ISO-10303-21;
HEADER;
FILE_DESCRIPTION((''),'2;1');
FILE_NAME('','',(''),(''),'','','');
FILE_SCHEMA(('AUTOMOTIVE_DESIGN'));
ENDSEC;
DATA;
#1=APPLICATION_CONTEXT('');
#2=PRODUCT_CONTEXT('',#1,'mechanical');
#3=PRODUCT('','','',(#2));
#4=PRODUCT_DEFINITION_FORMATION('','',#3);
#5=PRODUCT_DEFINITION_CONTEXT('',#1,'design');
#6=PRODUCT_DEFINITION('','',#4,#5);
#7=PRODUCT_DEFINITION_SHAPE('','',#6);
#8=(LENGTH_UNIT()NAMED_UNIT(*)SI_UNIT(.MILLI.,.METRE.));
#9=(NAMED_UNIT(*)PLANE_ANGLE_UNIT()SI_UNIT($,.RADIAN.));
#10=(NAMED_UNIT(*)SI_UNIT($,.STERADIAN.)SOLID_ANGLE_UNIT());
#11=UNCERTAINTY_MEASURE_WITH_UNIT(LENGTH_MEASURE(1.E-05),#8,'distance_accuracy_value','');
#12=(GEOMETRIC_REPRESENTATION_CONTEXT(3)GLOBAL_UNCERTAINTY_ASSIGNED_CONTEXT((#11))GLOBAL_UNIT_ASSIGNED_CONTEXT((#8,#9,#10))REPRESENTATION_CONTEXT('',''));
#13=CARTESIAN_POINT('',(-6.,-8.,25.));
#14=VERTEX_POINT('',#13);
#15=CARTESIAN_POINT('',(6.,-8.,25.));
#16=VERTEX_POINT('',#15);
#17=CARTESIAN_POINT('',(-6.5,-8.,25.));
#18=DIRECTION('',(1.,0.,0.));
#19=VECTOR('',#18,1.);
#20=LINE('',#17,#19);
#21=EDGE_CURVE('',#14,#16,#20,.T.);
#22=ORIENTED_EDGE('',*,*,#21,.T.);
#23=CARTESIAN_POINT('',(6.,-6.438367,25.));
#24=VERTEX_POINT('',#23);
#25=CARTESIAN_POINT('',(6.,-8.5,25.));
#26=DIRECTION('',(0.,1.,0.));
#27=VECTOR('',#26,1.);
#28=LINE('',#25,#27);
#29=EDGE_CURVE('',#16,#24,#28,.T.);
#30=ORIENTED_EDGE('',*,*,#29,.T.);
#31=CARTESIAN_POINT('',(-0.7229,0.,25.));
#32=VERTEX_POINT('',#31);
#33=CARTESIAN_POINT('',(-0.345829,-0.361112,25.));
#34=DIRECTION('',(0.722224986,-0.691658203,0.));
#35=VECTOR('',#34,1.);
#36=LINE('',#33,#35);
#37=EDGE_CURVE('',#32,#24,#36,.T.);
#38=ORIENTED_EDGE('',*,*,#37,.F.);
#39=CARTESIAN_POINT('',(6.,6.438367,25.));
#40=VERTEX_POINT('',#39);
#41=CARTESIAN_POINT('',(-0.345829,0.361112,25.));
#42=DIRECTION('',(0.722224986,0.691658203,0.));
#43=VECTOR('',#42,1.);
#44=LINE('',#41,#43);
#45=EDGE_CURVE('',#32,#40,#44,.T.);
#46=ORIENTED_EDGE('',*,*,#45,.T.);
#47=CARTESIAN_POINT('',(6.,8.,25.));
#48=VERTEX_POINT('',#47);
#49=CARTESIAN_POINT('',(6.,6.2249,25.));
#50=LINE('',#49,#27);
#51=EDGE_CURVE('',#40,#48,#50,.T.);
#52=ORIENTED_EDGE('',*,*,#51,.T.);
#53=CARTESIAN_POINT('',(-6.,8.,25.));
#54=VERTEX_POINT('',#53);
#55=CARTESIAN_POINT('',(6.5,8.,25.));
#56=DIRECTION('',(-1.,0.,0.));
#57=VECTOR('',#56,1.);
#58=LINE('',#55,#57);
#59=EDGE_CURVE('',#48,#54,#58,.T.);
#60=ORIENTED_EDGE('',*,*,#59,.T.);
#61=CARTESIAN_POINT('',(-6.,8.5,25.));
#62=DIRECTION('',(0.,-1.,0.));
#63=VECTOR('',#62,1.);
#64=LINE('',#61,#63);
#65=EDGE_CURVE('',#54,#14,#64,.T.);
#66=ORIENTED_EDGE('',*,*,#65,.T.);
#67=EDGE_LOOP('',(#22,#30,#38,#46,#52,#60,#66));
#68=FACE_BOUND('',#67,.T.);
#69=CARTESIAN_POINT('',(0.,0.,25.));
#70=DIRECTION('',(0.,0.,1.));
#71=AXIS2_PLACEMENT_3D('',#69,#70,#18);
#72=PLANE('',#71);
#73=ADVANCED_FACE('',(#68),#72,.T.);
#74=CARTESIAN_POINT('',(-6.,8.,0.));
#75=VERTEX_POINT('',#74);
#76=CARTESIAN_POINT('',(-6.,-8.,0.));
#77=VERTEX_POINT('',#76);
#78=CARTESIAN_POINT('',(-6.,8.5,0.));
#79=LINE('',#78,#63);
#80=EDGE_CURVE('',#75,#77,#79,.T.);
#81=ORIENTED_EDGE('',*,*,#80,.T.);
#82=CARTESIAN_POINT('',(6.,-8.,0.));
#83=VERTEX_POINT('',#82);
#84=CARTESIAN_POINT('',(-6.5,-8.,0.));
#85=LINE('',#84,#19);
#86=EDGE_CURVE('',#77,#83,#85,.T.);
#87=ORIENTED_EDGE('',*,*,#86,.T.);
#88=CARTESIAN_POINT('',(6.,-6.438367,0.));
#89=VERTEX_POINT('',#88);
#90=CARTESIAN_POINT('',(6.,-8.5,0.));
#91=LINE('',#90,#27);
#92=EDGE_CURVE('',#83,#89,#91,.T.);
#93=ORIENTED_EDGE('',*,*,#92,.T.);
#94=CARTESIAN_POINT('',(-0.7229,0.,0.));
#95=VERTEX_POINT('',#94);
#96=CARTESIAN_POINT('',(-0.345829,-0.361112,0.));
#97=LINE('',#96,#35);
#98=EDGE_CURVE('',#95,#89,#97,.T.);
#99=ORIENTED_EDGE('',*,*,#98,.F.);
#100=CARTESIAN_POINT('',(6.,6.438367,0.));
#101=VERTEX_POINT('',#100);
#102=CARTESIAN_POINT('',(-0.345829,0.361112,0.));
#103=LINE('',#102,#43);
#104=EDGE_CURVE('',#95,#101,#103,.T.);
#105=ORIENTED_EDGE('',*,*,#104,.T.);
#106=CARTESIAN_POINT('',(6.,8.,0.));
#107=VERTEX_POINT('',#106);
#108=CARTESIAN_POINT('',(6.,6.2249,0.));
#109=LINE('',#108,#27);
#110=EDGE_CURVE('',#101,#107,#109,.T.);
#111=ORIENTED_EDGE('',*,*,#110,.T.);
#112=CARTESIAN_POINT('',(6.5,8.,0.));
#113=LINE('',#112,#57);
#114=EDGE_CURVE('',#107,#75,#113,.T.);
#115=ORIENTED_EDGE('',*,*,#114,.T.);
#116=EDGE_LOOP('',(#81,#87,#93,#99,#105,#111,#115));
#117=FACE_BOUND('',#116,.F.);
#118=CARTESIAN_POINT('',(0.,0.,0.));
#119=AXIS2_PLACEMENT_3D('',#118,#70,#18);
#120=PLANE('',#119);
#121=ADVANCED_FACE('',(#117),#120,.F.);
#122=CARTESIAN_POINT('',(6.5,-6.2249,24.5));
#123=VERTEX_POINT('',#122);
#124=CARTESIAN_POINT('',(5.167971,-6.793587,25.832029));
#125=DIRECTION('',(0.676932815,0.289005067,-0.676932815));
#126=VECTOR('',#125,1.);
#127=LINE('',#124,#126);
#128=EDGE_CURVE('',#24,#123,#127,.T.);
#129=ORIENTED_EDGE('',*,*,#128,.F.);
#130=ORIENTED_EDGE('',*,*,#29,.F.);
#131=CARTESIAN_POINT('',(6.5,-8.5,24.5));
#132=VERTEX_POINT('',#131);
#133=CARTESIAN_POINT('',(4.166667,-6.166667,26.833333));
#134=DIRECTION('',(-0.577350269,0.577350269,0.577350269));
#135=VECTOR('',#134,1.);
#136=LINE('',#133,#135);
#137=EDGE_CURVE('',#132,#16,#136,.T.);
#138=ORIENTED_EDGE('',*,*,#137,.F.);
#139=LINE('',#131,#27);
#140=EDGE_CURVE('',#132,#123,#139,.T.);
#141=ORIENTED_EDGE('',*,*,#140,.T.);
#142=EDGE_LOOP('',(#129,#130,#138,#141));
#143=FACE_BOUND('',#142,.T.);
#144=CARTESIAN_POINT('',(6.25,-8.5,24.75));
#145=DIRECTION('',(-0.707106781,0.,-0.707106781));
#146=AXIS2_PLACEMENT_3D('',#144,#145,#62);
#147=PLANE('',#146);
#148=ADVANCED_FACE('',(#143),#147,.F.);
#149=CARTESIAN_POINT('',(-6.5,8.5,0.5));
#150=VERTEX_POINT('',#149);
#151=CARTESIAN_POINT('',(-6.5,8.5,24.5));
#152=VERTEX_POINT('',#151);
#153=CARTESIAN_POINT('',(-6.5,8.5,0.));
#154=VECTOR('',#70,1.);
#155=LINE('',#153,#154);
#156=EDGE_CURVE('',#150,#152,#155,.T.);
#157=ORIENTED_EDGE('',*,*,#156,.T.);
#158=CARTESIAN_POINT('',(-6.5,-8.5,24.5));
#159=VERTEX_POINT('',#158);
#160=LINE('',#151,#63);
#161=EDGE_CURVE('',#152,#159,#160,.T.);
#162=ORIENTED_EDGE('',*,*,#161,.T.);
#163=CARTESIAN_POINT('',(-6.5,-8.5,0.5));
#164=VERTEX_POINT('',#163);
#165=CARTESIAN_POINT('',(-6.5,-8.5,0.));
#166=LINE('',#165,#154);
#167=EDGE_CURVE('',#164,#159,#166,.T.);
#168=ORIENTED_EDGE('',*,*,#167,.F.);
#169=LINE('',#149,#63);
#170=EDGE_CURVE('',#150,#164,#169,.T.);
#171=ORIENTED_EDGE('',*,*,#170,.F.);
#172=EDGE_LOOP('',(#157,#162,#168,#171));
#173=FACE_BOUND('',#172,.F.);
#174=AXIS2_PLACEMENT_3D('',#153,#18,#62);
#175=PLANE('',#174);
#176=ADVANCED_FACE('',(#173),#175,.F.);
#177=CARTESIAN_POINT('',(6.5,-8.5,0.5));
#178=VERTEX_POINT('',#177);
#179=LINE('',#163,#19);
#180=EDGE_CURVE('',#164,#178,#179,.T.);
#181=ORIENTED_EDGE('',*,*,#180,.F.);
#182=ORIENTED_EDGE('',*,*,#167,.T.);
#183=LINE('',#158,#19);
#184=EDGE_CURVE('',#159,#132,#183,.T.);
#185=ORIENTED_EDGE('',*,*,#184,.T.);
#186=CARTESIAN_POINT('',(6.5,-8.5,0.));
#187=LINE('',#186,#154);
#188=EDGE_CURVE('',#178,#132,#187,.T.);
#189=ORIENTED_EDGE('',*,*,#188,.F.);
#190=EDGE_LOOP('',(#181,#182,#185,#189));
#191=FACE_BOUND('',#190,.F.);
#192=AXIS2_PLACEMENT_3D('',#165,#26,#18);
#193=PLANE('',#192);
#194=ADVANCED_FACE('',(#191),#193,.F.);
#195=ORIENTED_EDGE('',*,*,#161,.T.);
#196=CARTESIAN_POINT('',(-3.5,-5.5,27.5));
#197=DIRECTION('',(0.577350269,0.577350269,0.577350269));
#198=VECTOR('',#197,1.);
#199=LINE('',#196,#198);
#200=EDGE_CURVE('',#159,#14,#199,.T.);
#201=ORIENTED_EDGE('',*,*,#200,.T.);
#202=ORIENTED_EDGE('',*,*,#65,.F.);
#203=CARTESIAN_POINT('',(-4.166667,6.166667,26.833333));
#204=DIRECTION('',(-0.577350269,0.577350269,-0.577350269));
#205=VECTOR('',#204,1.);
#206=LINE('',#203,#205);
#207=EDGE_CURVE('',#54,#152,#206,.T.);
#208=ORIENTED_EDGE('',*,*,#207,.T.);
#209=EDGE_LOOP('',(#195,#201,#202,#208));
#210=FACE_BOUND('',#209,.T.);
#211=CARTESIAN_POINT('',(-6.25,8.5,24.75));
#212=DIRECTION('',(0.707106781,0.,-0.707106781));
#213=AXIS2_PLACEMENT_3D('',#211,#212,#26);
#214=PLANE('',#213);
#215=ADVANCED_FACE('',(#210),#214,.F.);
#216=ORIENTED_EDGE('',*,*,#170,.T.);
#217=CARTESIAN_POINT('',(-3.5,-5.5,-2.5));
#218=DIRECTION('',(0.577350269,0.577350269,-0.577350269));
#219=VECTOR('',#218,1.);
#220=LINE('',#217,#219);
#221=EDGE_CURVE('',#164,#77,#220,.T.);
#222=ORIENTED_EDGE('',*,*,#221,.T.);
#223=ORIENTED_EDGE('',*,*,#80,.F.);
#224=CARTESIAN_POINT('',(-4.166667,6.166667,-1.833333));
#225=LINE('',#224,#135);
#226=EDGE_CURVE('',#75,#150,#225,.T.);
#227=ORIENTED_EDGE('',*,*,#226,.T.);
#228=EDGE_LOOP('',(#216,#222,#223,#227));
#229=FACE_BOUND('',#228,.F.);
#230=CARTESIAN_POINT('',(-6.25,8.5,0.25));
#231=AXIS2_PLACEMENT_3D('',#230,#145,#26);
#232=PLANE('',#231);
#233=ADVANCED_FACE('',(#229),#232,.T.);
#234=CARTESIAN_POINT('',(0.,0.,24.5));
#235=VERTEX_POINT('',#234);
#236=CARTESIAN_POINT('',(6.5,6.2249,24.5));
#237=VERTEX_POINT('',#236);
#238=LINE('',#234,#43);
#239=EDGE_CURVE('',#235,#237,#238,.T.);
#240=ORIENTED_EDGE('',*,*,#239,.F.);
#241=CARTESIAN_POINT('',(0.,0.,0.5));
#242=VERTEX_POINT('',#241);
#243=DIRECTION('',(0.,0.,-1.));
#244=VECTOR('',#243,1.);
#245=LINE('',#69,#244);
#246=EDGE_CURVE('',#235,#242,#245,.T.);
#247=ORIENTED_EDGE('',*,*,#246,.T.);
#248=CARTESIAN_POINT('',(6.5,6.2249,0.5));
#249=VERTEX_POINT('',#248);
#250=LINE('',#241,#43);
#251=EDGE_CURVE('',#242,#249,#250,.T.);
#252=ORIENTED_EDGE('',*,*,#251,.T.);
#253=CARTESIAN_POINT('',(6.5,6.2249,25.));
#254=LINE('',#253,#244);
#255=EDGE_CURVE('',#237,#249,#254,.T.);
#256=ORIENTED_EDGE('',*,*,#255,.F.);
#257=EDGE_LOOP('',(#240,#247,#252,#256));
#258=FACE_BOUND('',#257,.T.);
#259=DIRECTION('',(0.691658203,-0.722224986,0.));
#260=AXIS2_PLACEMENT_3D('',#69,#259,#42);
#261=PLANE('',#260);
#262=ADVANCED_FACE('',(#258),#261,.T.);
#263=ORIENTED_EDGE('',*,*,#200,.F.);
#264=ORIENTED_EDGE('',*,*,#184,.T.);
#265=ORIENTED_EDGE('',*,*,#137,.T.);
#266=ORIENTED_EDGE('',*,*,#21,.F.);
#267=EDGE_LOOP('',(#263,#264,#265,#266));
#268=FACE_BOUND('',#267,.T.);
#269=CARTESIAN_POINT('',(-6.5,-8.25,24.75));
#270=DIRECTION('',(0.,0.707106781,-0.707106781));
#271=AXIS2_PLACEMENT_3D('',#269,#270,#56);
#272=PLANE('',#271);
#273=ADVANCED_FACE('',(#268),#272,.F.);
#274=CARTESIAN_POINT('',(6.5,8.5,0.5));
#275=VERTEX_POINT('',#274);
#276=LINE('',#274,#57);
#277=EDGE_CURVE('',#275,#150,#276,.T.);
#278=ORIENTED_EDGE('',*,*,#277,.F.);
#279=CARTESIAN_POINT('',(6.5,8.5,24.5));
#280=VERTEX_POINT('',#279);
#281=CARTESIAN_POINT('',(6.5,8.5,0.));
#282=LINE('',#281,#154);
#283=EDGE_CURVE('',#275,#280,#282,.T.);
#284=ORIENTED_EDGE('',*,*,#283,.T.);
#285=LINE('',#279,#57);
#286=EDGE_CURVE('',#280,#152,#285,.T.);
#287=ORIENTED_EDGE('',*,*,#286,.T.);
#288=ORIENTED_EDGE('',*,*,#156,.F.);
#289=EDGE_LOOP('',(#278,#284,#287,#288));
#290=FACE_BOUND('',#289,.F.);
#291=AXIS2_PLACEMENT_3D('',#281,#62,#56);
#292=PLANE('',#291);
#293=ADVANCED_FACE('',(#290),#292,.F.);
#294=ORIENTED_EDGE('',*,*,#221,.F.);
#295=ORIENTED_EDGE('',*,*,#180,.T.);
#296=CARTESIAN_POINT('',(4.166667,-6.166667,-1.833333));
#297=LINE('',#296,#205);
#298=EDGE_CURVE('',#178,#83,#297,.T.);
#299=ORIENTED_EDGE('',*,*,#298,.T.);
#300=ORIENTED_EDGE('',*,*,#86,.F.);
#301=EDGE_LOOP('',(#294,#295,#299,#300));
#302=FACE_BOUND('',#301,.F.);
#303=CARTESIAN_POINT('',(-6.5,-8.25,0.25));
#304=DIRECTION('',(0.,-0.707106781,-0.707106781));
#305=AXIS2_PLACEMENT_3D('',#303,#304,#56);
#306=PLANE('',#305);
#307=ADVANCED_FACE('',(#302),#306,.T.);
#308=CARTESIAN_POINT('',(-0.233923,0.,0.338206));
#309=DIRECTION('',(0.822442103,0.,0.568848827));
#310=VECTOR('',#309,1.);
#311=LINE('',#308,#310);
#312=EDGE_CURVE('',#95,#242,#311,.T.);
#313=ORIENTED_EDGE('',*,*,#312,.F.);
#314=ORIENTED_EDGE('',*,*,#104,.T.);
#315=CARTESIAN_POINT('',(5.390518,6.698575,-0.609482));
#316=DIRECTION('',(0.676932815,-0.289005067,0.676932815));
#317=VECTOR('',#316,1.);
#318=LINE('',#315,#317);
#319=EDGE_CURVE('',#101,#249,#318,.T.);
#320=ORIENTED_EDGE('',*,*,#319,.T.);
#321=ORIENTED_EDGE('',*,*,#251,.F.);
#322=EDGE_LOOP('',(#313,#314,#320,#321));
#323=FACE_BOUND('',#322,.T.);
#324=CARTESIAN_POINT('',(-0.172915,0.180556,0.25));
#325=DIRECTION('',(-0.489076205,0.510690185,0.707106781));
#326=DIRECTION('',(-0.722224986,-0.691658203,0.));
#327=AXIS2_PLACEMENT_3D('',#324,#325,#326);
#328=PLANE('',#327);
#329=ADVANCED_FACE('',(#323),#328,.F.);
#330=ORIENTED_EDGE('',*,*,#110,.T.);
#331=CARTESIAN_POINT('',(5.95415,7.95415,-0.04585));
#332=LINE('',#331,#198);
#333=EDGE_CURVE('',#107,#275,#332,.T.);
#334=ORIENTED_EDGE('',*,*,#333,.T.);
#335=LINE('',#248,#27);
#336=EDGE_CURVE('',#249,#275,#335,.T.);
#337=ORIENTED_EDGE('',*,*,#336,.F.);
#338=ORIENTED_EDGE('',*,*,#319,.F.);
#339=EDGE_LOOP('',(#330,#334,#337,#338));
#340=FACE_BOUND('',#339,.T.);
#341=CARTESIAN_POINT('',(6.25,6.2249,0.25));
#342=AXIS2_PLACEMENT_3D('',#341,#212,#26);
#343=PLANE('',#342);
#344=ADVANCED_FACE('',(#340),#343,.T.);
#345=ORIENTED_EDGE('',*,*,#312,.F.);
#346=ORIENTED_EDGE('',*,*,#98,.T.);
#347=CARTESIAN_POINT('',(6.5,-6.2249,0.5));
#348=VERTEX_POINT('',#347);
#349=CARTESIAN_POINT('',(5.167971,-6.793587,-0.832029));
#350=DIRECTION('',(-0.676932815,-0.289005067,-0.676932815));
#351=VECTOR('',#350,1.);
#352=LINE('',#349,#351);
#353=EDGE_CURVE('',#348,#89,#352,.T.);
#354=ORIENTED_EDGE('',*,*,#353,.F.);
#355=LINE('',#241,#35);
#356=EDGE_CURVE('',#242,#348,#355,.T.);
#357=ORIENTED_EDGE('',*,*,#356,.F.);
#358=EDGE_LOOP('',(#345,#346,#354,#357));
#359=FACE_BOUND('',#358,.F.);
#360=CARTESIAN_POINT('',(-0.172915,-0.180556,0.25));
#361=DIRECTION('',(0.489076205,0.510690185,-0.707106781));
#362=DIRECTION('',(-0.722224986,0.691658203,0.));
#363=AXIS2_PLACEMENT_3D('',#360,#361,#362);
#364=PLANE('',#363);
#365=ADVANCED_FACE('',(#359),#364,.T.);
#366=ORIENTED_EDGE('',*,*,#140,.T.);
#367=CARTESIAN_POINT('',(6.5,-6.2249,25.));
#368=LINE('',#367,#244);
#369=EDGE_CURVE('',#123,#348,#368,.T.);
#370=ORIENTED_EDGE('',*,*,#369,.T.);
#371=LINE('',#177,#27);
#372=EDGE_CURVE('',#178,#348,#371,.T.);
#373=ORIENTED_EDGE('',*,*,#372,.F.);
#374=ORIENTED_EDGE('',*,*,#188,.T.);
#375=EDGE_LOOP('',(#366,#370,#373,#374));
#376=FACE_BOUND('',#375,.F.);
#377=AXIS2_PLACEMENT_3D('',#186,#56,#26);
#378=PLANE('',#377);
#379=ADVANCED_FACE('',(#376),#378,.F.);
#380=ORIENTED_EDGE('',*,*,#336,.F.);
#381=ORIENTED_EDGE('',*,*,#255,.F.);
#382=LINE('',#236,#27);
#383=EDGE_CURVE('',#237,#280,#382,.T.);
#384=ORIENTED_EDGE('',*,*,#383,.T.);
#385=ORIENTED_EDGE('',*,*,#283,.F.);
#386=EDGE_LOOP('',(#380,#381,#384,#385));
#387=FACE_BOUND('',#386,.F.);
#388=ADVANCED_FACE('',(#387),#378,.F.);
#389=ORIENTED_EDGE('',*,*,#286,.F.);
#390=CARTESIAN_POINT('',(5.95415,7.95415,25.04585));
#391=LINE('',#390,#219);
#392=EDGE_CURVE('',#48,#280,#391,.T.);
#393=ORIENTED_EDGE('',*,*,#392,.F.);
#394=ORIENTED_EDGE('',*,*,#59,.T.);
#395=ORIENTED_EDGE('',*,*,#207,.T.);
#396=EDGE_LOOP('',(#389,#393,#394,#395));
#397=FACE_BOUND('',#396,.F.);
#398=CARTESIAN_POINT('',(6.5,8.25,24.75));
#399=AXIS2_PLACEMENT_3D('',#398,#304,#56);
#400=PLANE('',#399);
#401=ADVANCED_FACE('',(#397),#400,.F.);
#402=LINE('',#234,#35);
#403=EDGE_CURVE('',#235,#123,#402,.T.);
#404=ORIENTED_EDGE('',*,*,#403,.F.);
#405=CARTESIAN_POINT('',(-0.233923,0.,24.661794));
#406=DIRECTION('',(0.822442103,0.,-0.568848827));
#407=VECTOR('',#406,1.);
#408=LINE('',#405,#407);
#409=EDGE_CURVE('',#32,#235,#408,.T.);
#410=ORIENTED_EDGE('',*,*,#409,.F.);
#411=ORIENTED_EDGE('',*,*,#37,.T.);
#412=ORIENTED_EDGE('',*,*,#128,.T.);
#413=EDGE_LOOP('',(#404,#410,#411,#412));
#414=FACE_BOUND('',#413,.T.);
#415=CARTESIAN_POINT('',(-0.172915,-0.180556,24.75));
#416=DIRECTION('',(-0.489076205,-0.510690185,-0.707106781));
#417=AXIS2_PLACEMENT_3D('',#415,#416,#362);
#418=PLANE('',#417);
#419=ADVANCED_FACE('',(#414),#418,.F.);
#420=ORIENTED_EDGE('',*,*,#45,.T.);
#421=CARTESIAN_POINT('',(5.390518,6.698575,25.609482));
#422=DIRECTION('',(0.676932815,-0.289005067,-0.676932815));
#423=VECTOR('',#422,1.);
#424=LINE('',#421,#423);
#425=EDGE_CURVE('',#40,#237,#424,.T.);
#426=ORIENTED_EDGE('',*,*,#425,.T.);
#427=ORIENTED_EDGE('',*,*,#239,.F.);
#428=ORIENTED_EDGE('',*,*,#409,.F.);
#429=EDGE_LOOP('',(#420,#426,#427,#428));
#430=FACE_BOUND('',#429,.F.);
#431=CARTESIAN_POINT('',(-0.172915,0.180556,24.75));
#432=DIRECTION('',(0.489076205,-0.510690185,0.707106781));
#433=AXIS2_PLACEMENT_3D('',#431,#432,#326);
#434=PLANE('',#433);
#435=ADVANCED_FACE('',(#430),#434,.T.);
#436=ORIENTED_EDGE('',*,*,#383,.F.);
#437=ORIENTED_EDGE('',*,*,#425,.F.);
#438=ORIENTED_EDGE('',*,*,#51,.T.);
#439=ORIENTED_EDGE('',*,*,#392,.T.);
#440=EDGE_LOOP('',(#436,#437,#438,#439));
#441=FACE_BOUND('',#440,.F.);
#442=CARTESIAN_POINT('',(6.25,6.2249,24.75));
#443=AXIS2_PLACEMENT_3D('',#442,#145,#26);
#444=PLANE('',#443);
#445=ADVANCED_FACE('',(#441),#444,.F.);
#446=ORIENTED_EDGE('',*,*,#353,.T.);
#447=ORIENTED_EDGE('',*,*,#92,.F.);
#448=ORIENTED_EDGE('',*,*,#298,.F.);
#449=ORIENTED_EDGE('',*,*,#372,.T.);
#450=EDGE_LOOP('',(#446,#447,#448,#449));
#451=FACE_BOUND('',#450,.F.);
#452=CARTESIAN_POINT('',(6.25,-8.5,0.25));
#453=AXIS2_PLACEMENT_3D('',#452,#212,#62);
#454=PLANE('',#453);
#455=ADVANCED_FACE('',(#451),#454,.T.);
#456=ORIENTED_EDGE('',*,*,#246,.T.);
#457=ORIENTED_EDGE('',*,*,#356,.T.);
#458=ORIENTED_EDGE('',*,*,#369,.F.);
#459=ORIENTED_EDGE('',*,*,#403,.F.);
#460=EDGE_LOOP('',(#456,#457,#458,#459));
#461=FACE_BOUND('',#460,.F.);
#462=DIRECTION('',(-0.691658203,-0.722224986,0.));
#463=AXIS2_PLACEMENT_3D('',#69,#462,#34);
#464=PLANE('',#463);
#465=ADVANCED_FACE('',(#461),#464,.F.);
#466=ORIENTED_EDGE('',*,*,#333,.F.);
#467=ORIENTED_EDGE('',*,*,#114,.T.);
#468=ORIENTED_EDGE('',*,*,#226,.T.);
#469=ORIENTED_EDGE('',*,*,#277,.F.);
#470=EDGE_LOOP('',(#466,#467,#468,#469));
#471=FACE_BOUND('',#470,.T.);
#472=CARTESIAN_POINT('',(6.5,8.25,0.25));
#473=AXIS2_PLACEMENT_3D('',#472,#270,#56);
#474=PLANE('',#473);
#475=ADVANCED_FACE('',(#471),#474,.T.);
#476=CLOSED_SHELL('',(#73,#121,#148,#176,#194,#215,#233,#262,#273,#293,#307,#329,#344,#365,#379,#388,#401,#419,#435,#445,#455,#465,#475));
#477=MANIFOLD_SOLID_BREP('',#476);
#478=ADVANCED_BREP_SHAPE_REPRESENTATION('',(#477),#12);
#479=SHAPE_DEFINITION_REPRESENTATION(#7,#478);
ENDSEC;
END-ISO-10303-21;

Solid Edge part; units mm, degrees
sketch "Sketch1" plane through (0, 0, 0) normal (0, 0, 1) x (1, 0, 0)
  line L0 (-6.5, -8.5) -> (6.5, -8.5)
  line L1 (6.5, -8.5) -> (6.5, 8.5)
  line L2 (6.5, 8.5) -> (-6.5, 8.5)
  line L3 (-6.5, 8.5) -> (-6.5, -8.5)
extrude "Protrusion1" add sketch "Sketch1" along normal blind 25
sketch "Sketch2" plane through (0, 0, 25) normal (0, 0, 1) x (1, 0, 0)
  line L0 (0, 0) -> (6.5, -6.2249)
  line L1 (6.5, 6.2249) -> (6.5, -6.2249)
  line L2 (0, 0) -> (6.5, 6.2249)
extrude "ExtrudedCutout_1" cut sketch "Sketch2" against normal blind 29.2025
chamfer "Chamfer_1" distance 0.5 angle 45 14 edges at (3.25, 3.1125, 25) (3.25, -3.1125, 25) (6.5, 7.3625, 25) (0, 8.5, 25) (-6.5, 0, 25) (0, -8.5, 25) (6.5, -7.3625, 25) (0, -8.5, 0) (6.5, -7.3625, 0) (3.25, -3.1125, 0) (3.25, 3.1125, 0) (6.5, 7.3625, 0) (0, 8.5, 0) (-6.5, 0, 0)
